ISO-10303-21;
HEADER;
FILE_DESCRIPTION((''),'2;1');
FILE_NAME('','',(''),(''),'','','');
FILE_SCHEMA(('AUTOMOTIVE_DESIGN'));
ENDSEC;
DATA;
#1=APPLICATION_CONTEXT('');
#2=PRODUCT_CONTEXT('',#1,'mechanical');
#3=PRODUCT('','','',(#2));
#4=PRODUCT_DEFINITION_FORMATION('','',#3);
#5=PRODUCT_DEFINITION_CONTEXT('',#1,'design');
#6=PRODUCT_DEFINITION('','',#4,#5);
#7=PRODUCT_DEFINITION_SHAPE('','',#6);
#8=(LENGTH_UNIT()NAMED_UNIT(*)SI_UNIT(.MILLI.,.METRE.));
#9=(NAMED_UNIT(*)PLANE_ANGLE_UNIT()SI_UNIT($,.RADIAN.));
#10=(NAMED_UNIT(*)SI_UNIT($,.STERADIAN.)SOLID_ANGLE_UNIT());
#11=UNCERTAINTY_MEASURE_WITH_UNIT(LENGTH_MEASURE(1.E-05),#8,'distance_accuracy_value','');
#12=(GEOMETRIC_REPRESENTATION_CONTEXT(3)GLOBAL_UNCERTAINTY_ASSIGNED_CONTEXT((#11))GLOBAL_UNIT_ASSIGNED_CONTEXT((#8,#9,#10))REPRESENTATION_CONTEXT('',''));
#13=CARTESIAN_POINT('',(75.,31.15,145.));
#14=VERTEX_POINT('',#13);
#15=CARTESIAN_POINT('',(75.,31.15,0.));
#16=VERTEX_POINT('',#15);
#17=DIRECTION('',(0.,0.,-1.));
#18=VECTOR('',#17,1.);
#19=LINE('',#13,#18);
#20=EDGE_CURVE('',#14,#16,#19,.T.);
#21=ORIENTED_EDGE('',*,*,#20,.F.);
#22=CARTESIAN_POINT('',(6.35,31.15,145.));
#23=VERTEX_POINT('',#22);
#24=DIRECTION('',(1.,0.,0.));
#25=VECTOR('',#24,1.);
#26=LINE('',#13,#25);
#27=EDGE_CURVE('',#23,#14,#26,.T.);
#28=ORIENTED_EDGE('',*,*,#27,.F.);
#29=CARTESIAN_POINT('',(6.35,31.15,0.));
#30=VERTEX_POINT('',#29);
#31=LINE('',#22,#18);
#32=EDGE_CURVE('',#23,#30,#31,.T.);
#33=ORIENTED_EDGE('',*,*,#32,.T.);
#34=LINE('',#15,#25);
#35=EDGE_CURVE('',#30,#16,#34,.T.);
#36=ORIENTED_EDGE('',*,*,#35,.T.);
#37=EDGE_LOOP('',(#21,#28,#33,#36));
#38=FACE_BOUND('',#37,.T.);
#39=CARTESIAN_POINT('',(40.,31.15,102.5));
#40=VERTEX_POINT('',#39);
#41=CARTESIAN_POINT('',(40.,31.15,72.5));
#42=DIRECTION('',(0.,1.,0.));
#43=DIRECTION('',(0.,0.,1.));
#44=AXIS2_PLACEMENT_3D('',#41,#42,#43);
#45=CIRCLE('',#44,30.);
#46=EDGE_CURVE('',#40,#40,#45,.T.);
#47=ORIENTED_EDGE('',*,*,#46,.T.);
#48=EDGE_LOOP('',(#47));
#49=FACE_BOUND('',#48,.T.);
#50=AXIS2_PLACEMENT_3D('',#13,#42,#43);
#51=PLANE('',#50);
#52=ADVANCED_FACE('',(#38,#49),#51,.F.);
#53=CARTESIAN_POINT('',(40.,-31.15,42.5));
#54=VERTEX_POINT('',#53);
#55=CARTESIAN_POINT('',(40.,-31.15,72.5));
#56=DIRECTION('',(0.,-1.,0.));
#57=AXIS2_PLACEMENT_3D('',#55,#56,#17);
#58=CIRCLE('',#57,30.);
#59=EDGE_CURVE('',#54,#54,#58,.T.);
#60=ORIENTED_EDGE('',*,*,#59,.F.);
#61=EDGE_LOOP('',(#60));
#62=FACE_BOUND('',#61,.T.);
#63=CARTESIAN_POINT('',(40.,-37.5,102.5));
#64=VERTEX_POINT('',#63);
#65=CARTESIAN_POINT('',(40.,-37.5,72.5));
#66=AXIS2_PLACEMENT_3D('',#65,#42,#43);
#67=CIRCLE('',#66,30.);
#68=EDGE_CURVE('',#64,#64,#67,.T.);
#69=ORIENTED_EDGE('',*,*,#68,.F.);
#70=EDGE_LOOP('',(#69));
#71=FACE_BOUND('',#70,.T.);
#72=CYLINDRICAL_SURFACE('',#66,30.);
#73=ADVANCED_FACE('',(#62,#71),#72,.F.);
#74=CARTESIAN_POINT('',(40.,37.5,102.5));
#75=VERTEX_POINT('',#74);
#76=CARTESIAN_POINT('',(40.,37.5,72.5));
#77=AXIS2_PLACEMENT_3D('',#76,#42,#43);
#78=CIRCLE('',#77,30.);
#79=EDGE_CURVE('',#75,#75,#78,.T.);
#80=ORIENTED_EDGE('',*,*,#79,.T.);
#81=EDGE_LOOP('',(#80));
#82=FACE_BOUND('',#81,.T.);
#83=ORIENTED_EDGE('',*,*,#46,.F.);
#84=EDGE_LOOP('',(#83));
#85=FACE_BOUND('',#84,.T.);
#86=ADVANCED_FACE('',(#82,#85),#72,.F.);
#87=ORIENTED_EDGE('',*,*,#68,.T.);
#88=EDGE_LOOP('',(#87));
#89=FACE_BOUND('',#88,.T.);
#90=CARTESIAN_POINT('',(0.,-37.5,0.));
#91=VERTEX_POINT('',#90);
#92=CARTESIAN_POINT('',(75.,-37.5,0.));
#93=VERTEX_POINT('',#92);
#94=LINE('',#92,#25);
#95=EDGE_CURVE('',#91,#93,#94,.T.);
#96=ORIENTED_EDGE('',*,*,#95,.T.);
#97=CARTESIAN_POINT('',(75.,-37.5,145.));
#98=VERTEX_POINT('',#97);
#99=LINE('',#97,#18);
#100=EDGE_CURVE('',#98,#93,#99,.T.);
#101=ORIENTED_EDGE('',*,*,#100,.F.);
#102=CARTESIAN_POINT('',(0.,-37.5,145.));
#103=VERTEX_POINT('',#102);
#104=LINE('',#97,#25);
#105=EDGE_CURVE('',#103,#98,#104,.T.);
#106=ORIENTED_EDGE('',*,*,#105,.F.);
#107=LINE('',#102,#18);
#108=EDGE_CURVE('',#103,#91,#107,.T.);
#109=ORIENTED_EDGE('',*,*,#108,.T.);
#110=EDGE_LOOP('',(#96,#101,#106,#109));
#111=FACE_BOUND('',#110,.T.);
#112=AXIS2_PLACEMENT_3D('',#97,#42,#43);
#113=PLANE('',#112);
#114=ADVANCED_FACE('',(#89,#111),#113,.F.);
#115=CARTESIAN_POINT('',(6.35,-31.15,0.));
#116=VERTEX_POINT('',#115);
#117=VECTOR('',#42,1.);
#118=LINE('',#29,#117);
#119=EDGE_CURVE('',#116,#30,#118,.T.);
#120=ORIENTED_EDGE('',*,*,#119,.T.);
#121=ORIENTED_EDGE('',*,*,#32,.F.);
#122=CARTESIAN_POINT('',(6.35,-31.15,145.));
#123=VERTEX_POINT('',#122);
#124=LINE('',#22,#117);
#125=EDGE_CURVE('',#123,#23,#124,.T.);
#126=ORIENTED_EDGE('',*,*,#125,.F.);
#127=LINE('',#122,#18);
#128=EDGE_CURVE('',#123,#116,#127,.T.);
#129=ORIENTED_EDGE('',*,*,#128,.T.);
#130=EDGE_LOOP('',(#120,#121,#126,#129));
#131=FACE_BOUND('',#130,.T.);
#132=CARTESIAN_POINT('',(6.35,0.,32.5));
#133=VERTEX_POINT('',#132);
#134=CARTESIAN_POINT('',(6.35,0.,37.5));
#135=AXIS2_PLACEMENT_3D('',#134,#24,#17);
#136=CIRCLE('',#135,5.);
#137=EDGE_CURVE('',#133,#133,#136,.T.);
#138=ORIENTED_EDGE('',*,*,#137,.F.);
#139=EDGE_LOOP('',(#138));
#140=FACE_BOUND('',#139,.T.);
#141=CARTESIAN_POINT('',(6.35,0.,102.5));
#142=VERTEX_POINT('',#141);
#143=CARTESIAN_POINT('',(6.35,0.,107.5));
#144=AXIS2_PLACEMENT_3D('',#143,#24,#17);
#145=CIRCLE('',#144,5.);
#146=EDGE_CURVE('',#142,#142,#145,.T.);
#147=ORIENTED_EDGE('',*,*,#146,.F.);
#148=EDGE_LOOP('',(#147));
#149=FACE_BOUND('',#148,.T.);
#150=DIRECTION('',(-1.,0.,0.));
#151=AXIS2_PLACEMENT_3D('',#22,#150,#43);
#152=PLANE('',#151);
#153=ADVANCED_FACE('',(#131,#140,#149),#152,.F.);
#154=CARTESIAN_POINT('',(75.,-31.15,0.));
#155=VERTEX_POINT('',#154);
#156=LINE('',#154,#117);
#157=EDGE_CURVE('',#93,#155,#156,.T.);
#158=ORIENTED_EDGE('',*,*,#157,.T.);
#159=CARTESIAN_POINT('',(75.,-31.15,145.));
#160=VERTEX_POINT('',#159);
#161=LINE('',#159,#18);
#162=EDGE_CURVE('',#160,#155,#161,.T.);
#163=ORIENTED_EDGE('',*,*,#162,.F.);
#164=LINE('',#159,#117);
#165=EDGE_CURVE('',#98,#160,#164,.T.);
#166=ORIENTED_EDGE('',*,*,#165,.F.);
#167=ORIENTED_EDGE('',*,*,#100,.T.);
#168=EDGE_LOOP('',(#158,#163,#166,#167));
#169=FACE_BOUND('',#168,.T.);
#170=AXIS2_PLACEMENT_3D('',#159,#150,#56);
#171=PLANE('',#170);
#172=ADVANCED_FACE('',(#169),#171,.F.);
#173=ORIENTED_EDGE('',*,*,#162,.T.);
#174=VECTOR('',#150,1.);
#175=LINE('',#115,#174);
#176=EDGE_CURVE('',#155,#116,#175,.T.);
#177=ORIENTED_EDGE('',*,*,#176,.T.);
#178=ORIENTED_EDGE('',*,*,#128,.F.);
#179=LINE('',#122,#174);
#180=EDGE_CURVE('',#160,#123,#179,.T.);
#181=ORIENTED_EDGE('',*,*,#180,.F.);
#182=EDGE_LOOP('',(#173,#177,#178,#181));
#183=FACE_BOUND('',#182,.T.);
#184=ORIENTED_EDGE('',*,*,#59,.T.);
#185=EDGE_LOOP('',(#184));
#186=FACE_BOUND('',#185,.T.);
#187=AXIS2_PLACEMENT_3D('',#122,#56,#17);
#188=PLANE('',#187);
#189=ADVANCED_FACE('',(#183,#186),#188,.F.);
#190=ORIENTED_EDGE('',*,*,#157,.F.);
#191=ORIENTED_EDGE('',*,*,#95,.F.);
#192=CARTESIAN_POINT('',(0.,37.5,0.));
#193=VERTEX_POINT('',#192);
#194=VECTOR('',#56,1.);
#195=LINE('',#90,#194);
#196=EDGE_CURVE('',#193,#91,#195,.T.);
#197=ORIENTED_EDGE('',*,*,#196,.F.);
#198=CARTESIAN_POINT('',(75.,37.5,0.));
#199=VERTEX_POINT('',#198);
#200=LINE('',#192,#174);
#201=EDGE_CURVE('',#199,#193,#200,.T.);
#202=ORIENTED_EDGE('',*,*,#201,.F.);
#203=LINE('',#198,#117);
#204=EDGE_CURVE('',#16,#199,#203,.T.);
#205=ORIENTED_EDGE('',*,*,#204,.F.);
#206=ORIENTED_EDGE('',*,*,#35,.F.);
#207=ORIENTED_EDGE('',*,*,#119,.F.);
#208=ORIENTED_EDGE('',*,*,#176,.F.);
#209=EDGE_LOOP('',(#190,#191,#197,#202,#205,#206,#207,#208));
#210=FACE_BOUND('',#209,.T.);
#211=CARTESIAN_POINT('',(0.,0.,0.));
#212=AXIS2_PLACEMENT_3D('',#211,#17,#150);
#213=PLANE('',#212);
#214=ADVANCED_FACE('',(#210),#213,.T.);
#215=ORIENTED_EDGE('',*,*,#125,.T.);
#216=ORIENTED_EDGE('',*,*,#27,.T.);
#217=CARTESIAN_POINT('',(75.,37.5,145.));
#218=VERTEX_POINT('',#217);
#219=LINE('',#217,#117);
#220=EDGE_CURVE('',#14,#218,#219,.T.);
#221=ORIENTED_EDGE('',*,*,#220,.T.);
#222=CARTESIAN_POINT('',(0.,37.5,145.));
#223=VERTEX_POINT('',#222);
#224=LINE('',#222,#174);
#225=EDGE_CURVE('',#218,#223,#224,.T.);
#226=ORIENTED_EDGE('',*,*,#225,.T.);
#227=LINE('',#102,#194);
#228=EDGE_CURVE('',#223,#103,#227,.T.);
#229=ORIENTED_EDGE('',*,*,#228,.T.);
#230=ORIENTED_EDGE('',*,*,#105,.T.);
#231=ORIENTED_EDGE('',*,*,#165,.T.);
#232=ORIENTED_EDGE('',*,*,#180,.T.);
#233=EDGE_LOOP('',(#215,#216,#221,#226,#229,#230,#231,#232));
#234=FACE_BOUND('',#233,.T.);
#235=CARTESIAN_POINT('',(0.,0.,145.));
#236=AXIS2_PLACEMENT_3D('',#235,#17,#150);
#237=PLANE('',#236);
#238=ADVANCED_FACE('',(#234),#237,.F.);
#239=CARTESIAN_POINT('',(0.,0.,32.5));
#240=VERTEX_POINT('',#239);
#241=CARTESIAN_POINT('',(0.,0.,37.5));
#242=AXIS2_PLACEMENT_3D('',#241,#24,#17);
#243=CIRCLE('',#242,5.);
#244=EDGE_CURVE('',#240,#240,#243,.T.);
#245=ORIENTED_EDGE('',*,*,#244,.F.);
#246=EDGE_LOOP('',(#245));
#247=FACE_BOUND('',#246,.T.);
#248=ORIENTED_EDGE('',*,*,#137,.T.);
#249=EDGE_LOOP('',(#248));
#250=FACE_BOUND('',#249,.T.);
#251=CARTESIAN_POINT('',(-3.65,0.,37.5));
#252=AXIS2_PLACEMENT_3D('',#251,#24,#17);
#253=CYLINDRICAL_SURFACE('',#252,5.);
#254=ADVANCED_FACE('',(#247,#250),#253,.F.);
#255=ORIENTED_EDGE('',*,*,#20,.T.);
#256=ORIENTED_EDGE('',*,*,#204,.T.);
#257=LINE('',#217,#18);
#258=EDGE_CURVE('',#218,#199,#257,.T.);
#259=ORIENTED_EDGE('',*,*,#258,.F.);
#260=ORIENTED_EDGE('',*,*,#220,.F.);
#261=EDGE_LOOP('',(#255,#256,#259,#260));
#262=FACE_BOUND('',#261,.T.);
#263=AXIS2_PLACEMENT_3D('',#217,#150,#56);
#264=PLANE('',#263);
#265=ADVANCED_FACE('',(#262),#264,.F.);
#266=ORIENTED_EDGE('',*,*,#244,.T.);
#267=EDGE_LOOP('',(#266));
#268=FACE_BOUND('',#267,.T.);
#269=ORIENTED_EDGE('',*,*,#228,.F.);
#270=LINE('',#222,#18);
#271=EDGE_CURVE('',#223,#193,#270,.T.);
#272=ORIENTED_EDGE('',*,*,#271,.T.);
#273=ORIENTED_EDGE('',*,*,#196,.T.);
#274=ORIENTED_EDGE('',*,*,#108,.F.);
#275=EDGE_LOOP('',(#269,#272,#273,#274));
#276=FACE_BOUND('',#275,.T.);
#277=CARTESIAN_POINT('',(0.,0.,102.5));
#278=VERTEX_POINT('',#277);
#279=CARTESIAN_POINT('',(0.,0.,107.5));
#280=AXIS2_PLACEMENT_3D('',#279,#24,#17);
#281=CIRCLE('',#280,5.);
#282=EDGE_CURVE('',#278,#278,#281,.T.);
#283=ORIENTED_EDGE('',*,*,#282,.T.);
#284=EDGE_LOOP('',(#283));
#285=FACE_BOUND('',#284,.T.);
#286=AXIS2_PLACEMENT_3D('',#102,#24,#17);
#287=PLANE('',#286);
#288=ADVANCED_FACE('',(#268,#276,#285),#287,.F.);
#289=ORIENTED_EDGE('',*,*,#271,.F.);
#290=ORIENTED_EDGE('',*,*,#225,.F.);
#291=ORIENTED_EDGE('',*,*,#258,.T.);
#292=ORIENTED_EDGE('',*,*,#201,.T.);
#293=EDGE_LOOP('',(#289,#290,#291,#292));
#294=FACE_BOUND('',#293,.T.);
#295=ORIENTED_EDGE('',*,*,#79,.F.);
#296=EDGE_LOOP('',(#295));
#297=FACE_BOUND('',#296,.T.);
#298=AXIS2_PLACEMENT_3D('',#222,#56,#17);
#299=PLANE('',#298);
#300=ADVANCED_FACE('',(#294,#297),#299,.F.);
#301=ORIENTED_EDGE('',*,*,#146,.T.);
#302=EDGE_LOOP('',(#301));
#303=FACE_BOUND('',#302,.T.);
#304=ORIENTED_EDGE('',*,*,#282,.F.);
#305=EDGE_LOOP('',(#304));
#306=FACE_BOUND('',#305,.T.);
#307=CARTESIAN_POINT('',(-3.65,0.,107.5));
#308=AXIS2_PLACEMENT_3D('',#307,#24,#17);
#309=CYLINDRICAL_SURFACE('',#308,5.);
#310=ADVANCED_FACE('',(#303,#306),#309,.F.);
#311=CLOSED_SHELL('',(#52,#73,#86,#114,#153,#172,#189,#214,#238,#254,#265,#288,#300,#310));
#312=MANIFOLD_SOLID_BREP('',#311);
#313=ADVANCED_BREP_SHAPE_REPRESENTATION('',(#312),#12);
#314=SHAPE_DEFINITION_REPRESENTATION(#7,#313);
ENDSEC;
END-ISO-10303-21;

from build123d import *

# Parameters (mm, degrees)
BOSS_EXTRUDE1_DEPTH = 145
SKETCH2_R           = 30
CUT_EXTRUDE1_DEPTH  = 180.652442232
SKETCH3_R           = 5
CUT_EXTRUDE2_DEPTH  = 10


with BuildPart() as part:
    # Sketch1 → Boss-Extrude1 (new body)
    with BuildSketch(Plane.XY):
        Polygon((0, -37.5), (0, 37.5), (75, 37.5), (75, 31.15), (6.35, 31.15), (6.35, -31.15), (75, -31.15), (75, -37.5), align=None)
    extrude(amount=BOSS_EXTRUDE1_DEPTH)

    # Sketch2 → Cut-Extrude1 (cut, through all)
    with BuildSketch(Plane(origin=(0, 37.5, 0), x_dir=(1, 0, 0), z_dir=(0, 1, 0))):
        with Locations(Location((40, -72.5, 0), (0, 0, 270))):
            Circle(SKETCH2_R)
    extrude(amount=-CUT_EXTRUDE1_DEPTH, mode=Mode.SUBTRACT)

    # Sketch3 → Cut-Extrude2 (cut)
    with BuildSketch(Plane(origin=(6.35, 0, 0), x_dir=(0, 0, -1), z_dir=(1, 0, 0))):
        with Locations((-107.5, 0)):
            Circle(SKETCH3_R)
        with Locations((-37.5, 0)):
            Circle(SKETCH3_R)
    extrude(amount=-CUT_EXTRUDE2_DEPTH, mode=Mode.SUBTRACT)


solid = part.part
